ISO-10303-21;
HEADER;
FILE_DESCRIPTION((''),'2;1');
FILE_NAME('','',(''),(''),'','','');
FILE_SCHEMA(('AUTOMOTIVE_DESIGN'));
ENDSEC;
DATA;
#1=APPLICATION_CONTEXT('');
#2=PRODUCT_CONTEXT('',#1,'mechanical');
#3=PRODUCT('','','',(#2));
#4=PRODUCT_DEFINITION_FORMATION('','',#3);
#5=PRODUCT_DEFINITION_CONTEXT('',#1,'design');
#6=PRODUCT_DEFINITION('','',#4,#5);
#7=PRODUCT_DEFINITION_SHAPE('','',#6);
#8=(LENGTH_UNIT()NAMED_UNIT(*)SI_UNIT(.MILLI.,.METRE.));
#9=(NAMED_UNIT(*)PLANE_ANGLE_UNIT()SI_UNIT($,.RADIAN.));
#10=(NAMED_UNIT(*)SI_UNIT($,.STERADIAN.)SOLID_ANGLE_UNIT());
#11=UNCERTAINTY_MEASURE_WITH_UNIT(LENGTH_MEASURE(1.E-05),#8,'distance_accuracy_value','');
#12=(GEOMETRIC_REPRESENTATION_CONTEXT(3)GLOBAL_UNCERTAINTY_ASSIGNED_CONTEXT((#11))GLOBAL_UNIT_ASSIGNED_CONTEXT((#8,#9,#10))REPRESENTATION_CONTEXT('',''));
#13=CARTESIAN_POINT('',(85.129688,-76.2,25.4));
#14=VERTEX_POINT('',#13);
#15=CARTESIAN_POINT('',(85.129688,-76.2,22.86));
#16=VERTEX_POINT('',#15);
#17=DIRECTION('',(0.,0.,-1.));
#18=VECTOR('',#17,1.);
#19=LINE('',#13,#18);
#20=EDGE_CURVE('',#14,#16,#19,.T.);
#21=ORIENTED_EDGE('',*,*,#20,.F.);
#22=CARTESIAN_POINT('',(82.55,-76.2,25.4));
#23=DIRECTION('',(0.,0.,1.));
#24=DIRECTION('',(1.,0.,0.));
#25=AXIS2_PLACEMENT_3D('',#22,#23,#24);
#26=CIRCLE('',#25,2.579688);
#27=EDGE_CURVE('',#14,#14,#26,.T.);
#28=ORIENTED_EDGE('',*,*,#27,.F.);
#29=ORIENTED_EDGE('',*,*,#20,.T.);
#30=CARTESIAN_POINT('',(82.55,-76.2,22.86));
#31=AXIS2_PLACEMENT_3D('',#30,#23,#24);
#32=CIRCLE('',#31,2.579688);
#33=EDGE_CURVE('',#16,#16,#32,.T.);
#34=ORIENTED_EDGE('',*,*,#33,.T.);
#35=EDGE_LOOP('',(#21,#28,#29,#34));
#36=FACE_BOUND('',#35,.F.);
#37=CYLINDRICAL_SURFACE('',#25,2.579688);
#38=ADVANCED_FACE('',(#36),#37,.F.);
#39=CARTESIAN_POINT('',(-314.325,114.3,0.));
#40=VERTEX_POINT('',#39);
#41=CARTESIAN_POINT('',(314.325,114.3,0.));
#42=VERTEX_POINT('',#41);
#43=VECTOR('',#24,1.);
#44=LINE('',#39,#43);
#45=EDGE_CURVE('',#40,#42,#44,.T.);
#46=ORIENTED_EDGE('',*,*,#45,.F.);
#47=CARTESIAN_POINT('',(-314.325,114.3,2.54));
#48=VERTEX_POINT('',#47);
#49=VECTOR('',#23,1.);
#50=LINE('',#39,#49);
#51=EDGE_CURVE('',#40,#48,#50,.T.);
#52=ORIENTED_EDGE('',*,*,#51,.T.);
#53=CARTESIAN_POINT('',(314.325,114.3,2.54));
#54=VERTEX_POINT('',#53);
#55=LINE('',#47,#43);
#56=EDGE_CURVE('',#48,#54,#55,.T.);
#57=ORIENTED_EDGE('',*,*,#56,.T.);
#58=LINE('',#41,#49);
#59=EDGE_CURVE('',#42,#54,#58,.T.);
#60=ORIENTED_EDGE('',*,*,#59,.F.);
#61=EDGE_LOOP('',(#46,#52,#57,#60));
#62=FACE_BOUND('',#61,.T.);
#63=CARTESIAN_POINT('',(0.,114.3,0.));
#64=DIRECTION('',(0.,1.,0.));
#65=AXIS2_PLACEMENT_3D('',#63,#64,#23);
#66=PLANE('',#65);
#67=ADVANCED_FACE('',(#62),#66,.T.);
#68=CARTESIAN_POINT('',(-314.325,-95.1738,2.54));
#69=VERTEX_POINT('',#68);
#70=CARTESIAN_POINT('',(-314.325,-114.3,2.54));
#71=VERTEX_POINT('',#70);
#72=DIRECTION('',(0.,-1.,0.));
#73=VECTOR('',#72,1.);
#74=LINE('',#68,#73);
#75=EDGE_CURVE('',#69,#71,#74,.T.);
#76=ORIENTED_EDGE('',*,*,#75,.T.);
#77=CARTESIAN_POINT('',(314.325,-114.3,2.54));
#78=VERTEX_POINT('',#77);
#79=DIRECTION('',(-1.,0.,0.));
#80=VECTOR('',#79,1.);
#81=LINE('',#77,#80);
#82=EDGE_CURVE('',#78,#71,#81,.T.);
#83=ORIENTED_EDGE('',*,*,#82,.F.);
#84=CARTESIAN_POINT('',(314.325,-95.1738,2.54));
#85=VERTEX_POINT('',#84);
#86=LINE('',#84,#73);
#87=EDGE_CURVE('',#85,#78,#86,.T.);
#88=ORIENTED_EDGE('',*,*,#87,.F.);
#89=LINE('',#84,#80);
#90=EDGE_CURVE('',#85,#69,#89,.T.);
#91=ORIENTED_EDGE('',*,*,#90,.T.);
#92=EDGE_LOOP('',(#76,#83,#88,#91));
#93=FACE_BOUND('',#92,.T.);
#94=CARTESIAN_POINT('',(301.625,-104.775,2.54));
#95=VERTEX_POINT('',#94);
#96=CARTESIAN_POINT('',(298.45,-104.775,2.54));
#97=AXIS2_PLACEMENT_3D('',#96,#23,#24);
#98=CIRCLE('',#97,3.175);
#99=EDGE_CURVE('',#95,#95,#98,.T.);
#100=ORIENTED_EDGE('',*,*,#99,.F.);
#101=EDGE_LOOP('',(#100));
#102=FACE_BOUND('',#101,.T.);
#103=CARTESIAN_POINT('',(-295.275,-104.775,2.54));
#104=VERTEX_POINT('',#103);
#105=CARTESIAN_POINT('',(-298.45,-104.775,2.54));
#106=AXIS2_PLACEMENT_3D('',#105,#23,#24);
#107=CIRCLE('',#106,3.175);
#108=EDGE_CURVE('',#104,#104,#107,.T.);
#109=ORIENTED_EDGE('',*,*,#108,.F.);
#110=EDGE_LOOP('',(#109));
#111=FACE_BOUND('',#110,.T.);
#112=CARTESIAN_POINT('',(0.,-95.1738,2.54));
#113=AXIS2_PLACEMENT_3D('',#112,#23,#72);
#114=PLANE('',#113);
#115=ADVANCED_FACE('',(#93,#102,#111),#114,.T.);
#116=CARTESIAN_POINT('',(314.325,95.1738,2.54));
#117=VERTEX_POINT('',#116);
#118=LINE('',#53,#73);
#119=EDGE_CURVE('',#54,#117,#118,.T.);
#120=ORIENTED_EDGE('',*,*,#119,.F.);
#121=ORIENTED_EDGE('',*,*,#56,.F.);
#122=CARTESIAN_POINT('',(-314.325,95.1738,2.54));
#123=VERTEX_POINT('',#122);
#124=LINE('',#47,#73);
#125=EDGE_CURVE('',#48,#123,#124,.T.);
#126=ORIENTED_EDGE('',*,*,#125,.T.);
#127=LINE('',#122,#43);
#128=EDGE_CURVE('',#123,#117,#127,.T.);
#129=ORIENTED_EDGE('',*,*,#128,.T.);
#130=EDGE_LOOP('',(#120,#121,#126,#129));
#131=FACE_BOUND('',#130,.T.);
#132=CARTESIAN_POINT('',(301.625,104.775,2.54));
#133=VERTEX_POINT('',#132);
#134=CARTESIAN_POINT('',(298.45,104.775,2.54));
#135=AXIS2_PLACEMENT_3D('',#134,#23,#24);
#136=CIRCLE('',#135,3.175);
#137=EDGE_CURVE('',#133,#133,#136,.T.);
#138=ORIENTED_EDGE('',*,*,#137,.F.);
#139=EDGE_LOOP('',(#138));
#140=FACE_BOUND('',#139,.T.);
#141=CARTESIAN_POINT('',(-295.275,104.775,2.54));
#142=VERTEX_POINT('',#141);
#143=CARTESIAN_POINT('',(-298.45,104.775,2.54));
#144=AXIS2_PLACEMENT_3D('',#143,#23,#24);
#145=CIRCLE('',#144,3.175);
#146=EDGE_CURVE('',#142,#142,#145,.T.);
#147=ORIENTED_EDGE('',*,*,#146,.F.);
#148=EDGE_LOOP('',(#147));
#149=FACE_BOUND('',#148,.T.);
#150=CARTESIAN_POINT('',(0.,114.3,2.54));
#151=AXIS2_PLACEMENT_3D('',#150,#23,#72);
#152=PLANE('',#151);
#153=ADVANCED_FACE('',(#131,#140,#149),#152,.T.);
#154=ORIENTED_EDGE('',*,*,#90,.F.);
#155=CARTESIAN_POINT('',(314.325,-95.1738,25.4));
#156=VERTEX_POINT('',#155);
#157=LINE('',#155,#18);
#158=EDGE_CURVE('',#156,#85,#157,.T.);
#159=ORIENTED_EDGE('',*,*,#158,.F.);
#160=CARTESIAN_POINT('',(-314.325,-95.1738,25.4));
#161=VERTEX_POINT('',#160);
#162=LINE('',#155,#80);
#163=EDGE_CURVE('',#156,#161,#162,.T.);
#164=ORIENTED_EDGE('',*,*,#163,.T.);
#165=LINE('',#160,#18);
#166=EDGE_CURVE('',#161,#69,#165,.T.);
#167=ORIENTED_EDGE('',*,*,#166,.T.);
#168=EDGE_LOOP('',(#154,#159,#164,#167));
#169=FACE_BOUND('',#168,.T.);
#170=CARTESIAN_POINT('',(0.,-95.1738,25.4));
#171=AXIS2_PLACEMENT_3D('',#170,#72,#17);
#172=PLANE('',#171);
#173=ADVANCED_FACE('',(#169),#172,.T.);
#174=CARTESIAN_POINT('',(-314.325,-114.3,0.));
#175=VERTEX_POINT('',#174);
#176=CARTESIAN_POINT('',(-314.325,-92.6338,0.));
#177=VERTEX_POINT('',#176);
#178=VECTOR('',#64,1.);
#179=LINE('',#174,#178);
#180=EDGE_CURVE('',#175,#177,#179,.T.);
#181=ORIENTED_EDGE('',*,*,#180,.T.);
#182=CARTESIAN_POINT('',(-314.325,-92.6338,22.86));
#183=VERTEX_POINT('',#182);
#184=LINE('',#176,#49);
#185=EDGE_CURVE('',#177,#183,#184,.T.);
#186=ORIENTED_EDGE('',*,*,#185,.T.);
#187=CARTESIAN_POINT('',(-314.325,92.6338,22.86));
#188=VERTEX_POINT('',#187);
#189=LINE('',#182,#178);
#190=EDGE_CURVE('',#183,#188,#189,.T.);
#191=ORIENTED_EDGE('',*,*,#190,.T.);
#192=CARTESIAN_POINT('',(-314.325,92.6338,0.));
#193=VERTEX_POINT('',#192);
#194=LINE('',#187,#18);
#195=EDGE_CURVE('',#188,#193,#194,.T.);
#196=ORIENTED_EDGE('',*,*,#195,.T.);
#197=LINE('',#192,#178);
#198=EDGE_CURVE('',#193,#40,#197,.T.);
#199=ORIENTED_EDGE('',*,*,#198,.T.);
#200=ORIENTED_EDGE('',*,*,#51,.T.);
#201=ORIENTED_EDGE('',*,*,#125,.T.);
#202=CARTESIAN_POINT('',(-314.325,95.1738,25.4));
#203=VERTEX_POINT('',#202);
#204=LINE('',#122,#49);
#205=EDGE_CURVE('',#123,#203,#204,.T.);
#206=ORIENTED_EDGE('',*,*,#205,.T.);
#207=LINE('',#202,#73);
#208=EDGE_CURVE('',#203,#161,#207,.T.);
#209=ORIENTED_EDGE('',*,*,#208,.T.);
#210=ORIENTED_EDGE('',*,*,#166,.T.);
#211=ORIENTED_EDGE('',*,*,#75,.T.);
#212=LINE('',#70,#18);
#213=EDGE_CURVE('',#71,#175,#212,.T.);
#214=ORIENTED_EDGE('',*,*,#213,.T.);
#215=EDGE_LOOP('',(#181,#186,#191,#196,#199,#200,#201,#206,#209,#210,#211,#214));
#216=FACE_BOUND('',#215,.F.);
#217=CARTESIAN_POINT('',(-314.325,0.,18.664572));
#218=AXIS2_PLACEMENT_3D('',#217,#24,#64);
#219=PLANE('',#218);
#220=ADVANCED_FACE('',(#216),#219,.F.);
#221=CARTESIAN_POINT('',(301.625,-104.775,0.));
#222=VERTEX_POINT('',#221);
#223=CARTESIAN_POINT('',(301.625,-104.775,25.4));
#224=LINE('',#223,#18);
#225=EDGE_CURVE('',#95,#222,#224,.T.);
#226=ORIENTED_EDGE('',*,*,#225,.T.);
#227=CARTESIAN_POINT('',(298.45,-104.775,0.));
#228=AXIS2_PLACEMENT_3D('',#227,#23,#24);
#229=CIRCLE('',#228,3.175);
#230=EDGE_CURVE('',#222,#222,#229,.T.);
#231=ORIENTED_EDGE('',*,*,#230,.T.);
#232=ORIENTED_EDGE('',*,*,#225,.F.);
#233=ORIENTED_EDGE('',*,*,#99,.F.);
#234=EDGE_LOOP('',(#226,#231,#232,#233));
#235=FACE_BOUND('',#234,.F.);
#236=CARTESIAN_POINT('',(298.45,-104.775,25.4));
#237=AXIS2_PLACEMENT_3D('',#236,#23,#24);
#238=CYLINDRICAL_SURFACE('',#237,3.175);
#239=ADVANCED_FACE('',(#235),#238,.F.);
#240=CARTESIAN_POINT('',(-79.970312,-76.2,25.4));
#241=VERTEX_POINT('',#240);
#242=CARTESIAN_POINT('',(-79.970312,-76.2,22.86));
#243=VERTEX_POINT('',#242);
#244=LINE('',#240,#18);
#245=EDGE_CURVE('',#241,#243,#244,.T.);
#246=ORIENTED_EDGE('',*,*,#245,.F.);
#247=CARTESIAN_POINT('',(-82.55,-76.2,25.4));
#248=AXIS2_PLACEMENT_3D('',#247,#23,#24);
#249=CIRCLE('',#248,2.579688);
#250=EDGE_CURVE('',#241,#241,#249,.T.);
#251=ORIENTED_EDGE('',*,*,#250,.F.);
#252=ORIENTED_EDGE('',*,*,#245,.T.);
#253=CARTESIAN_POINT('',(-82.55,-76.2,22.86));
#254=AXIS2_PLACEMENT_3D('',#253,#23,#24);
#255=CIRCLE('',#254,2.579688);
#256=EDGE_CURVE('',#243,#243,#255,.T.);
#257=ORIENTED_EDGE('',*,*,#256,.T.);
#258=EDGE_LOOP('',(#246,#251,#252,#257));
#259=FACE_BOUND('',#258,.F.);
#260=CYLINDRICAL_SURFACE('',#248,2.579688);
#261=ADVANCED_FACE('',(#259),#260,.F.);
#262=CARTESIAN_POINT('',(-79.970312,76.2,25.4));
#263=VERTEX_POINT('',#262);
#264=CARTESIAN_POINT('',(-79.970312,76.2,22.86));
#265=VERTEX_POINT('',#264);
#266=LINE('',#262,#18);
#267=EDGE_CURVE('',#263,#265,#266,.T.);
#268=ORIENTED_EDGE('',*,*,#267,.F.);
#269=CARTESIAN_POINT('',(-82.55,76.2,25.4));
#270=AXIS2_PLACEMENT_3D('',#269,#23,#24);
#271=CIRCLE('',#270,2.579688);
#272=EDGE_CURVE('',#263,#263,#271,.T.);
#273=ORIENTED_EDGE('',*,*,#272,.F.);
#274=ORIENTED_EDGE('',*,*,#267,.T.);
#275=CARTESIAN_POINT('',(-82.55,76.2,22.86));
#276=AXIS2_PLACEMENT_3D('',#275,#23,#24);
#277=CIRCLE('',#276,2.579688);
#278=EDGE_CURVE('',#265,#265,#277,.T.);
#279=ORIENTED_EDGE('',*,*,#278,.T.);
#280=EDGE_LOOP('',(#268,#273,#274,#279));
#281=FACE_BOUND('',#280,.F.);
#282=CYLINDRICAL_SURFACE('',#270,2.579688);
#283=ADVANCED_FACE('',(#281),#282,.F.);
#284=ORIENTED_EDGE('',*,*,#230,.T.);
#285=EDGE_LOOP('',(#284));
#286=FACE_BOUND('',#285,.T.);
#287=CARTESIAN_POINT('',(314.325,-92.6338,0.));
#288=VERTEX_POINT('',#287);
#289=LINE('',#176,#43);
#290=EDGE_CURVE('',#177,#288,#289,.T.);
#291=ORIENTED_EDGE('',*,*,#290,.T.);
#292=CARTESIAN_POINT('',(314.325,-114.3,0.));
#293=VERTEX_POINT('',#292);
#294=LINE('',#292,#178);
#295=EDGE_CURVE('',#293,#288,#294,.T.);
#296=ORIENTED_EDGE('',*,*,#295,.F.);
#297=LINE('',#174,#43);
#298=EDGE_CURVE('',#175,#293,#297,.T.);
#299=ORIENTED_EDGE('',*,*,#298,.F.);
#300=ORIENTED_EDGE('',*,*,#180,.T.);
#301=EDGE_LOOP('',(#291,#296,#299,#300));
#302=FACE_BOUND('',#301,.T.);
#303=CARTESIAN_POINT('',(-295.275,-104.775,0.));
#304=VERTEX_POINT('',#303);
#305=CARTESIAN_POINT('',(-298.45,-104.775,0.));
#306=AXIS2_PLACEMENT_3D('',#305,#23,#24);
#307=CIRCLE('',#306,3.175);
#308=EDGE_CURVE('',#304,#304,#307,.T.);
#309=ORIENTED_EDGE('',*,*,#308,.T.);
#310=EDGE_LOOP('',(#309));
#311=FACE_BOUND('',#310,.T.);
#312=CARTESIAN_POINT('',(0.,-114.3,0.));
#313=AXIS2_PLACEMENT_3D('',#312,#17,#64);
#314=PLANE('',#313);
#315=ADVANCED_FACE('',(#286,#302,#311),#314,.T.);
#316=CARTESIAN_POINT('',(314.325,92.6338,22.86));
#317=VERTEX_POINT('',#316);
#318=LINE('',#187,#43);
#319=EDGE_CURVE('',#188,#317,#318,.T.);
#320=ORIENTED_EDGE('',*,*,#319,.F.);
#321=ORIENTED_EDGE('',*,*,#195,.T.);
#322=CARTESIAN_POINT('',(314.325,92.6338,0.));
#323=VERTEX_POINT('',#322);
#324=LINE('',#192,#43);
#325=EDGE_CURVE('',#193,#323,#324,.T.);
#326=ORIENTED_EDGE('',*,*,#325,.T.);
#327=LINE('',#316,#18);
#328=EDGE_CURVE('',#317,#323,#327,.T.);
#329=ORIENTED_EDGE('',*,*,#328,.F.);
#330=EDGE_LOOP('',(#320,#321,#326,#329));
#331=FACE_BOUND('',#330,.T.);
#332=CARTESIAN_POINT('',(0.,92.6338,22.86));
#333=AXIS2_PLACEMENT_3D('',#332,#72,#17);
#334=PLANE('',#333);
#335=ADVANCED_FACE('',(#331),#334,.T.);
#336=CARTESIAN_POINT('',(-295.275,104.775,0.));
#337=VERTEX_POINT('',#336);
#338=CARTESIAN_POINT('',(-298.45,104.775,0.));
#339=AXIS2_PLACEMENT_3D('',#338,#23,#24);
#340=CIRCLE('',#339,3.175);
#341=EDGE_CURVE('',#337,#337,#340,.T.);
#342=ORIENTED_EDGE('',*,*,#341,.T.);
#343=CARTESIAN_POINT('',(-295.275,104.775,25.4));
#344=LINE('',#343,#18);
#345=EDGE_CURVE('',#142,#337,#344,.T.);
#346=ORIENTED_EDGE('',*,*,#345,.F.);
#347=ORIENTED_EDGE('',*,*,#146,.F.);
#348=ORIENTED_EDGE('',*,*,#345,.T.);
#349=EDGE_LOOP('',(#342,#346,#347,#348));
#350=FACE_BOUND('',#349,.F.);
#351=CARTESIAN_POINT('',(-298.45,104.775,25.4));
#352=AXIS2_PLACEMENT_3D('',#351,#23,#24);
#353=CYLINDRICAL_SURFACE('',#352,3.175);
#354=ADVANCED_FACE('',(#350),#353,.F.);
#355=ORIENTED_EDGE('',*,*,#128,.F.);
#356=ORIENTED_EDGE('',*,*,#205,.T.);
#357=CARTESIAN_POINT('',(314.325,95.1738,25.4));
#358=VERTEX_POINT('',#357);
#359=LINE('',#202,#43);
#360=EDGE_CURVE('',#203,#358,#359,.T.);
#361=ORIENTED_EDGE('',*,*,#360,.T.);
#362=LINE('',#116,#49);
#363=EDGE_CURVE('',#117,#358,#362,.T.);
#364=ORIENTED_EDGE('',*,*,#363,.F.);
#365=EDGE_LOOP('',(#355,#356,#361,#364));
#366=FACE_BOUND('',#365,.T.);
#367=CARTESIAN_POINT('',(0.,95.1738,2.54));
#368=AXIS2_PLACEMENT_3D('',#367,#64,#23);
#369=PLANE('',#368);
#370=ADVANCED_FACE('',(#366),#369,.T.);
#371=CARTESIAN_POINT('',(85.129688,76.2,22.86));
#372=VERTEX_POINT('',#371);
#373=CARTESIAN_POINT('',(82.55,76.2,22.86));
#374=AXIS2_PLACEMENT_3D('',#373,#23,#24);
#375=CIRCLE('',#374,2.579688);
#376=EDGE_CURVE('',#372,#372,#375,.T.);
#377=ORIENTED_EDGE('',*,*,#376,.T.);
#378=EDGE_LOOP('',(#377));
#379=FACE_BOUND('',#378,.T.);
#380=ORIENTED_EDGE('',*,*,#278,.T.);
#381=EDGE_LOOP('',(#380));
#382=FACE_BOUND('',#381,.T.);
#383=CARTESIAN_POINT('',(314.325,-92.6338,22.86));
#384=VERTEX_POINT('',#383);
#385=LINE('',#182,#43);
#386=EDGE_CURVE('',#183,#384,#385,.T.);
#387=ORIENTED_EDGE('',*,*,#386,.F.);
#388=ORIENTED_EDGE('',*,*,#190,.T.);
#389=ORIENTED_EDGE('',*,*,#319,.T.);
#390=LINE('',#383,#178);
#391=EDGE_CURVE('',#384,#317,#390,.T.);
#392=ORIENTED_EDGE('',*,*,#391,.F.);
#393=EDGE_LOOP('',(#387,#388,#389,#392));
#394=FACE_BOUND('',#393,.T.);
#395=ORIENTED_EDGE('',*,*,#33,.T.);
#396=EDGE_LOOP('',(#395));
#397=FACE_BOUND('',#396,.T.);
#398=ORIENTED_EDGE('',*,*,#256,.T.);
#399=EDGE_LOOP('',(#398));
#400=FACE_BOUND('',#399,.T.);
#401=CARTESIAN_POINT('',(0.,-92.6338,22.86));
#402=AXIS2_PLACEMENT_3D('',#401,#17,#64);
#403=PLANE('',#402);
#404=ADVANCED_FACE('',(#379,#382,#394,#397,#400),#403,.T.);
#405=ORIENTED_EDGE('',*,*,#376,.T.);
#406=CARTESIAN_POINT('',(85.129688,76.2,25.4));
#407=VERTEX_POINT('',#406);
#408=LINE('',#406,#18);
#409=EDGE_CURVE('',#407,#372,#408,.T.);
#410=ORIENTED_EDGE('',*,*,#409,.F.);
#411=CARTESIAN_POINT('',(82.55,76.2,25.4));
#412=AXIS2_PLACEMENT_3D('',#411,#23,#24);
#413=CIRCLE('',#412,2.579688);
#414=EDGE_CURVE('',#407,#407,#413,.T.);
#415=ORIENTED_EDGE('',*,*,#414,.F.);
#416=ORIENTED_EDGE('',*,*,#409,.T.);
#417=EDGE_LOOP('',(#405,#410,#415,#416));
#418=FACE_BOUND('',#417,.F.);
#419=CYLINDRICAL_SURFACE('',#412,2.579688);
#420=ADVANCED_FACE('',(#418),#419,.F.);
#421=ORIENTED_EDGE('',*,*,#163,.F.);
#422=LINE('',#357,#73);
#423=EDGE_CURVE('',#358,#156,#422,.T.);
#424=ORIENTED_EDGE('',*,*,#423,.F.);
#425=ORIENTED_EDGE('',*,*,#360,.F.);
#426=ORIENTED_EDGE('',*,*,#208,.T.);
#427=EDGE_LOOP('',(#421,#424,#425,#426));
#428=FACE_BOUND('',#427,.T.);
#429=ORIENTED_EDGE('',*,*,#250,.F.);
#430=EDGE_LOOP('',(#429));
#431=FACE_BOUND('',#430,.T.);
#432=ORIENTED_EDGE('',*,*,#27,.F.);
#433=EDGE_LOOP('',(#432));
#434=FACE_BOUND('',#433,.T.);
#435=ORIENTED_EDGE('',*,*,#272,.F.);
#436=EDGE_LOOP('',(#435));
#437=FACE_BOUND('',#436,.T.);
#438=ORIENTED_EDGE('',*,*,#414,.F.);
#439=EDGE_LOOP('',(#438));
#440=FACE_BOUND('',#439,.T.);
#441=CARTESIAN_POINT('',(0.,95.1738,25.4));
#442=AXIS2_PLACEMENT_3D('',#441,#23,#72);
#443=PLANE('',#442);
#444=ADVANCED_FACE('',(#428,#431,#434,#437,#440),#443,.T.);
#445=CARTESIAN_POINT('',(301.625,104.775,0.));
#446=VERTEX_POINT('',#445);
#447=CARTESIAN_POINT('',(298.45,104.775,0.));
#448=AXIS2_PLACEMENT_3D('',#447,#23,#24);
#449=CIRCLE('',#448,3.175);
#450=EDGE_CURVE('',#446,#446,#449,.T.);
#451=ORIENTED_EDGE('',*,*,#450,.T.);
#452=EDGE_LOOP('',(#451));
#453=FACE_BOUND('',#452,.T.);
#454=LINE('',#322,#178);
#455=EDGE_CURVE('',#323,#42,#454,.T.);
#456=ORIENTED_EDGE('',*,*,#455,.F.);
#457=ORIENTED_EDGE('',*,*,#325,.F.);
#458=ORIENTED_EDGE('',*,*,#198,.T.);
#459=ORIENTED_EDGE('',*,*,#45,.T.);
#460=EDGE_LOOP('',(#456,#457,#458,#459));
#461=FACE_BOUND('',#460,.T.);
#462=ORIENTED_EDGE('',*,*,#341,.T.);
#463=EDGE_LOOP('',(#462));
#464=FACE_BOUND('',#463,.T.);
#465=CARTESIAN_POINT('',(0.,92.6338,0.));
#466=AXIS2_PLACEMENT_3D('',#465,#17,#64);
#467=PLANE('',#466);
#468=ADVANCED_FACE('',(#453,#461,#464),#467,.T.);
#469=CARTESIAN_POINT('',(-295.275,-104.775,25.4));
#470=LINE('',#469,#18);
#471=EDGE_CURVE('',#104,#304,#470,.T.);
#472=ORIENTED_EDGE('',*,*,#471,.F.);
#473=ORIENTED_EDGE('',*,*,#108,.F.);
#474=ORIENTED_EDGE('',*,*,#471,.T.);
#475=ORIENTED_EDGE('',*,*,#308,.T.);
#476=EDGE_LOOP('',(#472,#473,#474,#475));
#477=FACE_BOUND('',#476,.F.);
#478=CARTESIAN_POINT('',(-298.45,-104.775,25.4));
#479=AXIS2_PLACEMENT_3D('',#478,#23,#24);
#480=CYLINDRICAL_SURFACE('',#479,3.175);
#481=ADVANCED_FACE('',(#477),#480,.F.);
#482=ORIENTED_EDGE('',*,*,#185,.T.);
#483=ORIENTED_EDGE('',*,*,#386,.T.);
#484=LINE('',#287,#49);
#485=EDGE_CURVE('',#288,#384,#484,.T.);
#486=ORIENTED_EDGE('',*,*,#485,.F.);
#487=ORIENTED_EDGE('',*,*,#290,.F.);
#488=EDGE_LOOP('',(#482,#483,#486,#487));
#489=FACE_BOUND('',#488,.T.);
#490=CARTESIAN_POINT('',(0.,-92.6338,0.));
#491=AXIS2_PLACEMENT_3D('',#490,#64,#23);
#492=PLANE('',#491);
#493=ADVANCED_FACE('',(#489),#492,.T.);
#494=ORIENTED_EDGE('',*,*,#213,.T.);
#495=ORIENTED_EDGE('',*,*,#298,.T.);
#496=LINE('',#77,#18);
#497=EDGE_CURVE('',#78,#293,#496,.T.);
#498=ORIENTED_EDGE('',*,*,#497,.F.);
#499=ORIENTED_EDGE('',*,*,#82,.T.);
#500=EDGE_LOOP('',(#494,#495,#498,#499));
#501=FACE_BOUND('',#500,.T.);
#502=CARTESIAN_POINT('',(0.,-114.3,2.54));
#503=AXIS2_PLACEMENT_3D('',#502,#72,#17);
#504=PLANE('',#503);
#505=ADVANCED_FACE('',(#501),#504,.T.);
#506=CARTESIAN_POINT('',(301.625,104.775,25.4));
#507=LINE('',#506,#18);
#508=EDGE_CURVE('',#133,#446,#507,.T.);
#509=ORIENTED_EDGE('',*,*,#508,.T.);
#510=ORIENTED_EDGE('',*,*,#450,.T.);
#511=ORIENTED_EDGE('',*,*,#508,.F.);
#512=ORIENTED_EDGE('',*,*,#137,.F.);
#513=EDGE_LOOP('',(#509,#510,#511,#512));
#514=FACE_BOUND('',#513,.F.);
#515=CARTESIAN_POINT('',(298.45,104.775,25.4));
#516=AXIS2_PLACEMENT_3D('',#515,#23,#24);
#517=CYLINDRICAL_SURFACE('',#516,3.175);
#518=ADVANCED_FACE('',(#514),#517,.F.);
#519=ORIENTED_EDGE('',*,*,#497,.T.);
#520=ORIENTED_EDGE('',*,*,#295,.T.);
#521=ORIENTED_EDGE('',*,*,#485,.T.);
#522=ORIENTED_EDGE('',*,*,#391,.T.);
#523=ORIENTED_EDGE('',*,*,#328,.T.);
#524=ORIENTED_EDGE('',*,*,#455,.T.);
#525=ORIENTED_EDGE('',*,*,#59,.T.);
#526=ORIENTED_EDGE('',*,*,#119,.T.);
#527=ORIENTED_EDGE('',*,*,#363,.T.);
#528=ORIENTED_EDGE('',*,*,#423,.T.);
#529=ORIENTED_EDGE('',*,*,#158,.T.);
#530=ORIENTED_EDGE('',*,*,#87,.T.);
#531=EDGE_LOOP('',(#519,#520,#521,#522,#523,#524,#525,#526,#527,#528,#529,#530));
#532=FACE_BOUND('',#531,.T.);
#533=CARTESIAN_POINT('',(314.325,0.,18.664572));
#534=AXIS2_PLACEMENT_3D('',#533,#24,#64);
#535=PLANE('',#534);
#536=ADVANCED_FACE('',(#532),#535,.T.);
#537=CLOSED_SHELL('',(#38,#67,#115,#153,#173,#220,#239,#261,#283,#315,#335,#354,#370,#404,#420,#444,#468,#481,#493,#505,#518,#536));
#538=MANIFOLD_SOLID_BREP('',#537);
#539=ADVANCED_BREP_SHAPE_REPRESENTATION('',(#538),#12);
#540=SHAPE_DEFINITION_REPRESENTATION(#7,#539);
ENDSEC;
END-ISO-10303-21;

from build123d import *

# Parameters (mm, degrees)
F1_DEPTH = 314.325
F2_R     = 2.579688
F2_R_2   = 3.175
F3_DEPTH = 25.401


with BuildPart() as f1:
    # F0 (on Right) → F1 (new body, symmetric)
    with BuildSketch(Plane.YZ):
        Polygon((-114.3, 2.54), (-114.3, 0), (-92.6338, 0), (-92.6338, 22.86), (92.6338, 22.86), (92.6338, 0), (114.3, 0), (114.3, 2.54), (95.1738, 2.54), (95.1738, 25.4), (-95.1738, 25.4), (-95.1738, 2.54), align=None)
    extrude(amount=F1_DEPTH, both=True)

    # F2 (on face) → F3 (cut, through all)
    with BuildSketch(Plane.XY.offset(25.4)):
        with Locations((-82.55, 76.2)):
            Circle(F2_R)
        with Locations((-82.55, -76.2)):
            Circle(F2_R)
        with Locations((82.55, -76.2)):
            Circle(F2_R)
        with Locations((82.55, 76.2)):
            Circle(F2_R)
        with Locations((298.45, 104.775)):
            Circle(F2_R_2)
        with Locations((298.45, -104.775)):
            Circle(F2_R_2)
        with Locations((-298.45, -104.775)):
            Circle(F2_R_2)
        with Locations((-298.45, 104.775)):
            Circle(F2_R_2)
    extrude(amount=-F3_DEPTH, mode=Mode.SUBTRACT)


solid = f1.part
